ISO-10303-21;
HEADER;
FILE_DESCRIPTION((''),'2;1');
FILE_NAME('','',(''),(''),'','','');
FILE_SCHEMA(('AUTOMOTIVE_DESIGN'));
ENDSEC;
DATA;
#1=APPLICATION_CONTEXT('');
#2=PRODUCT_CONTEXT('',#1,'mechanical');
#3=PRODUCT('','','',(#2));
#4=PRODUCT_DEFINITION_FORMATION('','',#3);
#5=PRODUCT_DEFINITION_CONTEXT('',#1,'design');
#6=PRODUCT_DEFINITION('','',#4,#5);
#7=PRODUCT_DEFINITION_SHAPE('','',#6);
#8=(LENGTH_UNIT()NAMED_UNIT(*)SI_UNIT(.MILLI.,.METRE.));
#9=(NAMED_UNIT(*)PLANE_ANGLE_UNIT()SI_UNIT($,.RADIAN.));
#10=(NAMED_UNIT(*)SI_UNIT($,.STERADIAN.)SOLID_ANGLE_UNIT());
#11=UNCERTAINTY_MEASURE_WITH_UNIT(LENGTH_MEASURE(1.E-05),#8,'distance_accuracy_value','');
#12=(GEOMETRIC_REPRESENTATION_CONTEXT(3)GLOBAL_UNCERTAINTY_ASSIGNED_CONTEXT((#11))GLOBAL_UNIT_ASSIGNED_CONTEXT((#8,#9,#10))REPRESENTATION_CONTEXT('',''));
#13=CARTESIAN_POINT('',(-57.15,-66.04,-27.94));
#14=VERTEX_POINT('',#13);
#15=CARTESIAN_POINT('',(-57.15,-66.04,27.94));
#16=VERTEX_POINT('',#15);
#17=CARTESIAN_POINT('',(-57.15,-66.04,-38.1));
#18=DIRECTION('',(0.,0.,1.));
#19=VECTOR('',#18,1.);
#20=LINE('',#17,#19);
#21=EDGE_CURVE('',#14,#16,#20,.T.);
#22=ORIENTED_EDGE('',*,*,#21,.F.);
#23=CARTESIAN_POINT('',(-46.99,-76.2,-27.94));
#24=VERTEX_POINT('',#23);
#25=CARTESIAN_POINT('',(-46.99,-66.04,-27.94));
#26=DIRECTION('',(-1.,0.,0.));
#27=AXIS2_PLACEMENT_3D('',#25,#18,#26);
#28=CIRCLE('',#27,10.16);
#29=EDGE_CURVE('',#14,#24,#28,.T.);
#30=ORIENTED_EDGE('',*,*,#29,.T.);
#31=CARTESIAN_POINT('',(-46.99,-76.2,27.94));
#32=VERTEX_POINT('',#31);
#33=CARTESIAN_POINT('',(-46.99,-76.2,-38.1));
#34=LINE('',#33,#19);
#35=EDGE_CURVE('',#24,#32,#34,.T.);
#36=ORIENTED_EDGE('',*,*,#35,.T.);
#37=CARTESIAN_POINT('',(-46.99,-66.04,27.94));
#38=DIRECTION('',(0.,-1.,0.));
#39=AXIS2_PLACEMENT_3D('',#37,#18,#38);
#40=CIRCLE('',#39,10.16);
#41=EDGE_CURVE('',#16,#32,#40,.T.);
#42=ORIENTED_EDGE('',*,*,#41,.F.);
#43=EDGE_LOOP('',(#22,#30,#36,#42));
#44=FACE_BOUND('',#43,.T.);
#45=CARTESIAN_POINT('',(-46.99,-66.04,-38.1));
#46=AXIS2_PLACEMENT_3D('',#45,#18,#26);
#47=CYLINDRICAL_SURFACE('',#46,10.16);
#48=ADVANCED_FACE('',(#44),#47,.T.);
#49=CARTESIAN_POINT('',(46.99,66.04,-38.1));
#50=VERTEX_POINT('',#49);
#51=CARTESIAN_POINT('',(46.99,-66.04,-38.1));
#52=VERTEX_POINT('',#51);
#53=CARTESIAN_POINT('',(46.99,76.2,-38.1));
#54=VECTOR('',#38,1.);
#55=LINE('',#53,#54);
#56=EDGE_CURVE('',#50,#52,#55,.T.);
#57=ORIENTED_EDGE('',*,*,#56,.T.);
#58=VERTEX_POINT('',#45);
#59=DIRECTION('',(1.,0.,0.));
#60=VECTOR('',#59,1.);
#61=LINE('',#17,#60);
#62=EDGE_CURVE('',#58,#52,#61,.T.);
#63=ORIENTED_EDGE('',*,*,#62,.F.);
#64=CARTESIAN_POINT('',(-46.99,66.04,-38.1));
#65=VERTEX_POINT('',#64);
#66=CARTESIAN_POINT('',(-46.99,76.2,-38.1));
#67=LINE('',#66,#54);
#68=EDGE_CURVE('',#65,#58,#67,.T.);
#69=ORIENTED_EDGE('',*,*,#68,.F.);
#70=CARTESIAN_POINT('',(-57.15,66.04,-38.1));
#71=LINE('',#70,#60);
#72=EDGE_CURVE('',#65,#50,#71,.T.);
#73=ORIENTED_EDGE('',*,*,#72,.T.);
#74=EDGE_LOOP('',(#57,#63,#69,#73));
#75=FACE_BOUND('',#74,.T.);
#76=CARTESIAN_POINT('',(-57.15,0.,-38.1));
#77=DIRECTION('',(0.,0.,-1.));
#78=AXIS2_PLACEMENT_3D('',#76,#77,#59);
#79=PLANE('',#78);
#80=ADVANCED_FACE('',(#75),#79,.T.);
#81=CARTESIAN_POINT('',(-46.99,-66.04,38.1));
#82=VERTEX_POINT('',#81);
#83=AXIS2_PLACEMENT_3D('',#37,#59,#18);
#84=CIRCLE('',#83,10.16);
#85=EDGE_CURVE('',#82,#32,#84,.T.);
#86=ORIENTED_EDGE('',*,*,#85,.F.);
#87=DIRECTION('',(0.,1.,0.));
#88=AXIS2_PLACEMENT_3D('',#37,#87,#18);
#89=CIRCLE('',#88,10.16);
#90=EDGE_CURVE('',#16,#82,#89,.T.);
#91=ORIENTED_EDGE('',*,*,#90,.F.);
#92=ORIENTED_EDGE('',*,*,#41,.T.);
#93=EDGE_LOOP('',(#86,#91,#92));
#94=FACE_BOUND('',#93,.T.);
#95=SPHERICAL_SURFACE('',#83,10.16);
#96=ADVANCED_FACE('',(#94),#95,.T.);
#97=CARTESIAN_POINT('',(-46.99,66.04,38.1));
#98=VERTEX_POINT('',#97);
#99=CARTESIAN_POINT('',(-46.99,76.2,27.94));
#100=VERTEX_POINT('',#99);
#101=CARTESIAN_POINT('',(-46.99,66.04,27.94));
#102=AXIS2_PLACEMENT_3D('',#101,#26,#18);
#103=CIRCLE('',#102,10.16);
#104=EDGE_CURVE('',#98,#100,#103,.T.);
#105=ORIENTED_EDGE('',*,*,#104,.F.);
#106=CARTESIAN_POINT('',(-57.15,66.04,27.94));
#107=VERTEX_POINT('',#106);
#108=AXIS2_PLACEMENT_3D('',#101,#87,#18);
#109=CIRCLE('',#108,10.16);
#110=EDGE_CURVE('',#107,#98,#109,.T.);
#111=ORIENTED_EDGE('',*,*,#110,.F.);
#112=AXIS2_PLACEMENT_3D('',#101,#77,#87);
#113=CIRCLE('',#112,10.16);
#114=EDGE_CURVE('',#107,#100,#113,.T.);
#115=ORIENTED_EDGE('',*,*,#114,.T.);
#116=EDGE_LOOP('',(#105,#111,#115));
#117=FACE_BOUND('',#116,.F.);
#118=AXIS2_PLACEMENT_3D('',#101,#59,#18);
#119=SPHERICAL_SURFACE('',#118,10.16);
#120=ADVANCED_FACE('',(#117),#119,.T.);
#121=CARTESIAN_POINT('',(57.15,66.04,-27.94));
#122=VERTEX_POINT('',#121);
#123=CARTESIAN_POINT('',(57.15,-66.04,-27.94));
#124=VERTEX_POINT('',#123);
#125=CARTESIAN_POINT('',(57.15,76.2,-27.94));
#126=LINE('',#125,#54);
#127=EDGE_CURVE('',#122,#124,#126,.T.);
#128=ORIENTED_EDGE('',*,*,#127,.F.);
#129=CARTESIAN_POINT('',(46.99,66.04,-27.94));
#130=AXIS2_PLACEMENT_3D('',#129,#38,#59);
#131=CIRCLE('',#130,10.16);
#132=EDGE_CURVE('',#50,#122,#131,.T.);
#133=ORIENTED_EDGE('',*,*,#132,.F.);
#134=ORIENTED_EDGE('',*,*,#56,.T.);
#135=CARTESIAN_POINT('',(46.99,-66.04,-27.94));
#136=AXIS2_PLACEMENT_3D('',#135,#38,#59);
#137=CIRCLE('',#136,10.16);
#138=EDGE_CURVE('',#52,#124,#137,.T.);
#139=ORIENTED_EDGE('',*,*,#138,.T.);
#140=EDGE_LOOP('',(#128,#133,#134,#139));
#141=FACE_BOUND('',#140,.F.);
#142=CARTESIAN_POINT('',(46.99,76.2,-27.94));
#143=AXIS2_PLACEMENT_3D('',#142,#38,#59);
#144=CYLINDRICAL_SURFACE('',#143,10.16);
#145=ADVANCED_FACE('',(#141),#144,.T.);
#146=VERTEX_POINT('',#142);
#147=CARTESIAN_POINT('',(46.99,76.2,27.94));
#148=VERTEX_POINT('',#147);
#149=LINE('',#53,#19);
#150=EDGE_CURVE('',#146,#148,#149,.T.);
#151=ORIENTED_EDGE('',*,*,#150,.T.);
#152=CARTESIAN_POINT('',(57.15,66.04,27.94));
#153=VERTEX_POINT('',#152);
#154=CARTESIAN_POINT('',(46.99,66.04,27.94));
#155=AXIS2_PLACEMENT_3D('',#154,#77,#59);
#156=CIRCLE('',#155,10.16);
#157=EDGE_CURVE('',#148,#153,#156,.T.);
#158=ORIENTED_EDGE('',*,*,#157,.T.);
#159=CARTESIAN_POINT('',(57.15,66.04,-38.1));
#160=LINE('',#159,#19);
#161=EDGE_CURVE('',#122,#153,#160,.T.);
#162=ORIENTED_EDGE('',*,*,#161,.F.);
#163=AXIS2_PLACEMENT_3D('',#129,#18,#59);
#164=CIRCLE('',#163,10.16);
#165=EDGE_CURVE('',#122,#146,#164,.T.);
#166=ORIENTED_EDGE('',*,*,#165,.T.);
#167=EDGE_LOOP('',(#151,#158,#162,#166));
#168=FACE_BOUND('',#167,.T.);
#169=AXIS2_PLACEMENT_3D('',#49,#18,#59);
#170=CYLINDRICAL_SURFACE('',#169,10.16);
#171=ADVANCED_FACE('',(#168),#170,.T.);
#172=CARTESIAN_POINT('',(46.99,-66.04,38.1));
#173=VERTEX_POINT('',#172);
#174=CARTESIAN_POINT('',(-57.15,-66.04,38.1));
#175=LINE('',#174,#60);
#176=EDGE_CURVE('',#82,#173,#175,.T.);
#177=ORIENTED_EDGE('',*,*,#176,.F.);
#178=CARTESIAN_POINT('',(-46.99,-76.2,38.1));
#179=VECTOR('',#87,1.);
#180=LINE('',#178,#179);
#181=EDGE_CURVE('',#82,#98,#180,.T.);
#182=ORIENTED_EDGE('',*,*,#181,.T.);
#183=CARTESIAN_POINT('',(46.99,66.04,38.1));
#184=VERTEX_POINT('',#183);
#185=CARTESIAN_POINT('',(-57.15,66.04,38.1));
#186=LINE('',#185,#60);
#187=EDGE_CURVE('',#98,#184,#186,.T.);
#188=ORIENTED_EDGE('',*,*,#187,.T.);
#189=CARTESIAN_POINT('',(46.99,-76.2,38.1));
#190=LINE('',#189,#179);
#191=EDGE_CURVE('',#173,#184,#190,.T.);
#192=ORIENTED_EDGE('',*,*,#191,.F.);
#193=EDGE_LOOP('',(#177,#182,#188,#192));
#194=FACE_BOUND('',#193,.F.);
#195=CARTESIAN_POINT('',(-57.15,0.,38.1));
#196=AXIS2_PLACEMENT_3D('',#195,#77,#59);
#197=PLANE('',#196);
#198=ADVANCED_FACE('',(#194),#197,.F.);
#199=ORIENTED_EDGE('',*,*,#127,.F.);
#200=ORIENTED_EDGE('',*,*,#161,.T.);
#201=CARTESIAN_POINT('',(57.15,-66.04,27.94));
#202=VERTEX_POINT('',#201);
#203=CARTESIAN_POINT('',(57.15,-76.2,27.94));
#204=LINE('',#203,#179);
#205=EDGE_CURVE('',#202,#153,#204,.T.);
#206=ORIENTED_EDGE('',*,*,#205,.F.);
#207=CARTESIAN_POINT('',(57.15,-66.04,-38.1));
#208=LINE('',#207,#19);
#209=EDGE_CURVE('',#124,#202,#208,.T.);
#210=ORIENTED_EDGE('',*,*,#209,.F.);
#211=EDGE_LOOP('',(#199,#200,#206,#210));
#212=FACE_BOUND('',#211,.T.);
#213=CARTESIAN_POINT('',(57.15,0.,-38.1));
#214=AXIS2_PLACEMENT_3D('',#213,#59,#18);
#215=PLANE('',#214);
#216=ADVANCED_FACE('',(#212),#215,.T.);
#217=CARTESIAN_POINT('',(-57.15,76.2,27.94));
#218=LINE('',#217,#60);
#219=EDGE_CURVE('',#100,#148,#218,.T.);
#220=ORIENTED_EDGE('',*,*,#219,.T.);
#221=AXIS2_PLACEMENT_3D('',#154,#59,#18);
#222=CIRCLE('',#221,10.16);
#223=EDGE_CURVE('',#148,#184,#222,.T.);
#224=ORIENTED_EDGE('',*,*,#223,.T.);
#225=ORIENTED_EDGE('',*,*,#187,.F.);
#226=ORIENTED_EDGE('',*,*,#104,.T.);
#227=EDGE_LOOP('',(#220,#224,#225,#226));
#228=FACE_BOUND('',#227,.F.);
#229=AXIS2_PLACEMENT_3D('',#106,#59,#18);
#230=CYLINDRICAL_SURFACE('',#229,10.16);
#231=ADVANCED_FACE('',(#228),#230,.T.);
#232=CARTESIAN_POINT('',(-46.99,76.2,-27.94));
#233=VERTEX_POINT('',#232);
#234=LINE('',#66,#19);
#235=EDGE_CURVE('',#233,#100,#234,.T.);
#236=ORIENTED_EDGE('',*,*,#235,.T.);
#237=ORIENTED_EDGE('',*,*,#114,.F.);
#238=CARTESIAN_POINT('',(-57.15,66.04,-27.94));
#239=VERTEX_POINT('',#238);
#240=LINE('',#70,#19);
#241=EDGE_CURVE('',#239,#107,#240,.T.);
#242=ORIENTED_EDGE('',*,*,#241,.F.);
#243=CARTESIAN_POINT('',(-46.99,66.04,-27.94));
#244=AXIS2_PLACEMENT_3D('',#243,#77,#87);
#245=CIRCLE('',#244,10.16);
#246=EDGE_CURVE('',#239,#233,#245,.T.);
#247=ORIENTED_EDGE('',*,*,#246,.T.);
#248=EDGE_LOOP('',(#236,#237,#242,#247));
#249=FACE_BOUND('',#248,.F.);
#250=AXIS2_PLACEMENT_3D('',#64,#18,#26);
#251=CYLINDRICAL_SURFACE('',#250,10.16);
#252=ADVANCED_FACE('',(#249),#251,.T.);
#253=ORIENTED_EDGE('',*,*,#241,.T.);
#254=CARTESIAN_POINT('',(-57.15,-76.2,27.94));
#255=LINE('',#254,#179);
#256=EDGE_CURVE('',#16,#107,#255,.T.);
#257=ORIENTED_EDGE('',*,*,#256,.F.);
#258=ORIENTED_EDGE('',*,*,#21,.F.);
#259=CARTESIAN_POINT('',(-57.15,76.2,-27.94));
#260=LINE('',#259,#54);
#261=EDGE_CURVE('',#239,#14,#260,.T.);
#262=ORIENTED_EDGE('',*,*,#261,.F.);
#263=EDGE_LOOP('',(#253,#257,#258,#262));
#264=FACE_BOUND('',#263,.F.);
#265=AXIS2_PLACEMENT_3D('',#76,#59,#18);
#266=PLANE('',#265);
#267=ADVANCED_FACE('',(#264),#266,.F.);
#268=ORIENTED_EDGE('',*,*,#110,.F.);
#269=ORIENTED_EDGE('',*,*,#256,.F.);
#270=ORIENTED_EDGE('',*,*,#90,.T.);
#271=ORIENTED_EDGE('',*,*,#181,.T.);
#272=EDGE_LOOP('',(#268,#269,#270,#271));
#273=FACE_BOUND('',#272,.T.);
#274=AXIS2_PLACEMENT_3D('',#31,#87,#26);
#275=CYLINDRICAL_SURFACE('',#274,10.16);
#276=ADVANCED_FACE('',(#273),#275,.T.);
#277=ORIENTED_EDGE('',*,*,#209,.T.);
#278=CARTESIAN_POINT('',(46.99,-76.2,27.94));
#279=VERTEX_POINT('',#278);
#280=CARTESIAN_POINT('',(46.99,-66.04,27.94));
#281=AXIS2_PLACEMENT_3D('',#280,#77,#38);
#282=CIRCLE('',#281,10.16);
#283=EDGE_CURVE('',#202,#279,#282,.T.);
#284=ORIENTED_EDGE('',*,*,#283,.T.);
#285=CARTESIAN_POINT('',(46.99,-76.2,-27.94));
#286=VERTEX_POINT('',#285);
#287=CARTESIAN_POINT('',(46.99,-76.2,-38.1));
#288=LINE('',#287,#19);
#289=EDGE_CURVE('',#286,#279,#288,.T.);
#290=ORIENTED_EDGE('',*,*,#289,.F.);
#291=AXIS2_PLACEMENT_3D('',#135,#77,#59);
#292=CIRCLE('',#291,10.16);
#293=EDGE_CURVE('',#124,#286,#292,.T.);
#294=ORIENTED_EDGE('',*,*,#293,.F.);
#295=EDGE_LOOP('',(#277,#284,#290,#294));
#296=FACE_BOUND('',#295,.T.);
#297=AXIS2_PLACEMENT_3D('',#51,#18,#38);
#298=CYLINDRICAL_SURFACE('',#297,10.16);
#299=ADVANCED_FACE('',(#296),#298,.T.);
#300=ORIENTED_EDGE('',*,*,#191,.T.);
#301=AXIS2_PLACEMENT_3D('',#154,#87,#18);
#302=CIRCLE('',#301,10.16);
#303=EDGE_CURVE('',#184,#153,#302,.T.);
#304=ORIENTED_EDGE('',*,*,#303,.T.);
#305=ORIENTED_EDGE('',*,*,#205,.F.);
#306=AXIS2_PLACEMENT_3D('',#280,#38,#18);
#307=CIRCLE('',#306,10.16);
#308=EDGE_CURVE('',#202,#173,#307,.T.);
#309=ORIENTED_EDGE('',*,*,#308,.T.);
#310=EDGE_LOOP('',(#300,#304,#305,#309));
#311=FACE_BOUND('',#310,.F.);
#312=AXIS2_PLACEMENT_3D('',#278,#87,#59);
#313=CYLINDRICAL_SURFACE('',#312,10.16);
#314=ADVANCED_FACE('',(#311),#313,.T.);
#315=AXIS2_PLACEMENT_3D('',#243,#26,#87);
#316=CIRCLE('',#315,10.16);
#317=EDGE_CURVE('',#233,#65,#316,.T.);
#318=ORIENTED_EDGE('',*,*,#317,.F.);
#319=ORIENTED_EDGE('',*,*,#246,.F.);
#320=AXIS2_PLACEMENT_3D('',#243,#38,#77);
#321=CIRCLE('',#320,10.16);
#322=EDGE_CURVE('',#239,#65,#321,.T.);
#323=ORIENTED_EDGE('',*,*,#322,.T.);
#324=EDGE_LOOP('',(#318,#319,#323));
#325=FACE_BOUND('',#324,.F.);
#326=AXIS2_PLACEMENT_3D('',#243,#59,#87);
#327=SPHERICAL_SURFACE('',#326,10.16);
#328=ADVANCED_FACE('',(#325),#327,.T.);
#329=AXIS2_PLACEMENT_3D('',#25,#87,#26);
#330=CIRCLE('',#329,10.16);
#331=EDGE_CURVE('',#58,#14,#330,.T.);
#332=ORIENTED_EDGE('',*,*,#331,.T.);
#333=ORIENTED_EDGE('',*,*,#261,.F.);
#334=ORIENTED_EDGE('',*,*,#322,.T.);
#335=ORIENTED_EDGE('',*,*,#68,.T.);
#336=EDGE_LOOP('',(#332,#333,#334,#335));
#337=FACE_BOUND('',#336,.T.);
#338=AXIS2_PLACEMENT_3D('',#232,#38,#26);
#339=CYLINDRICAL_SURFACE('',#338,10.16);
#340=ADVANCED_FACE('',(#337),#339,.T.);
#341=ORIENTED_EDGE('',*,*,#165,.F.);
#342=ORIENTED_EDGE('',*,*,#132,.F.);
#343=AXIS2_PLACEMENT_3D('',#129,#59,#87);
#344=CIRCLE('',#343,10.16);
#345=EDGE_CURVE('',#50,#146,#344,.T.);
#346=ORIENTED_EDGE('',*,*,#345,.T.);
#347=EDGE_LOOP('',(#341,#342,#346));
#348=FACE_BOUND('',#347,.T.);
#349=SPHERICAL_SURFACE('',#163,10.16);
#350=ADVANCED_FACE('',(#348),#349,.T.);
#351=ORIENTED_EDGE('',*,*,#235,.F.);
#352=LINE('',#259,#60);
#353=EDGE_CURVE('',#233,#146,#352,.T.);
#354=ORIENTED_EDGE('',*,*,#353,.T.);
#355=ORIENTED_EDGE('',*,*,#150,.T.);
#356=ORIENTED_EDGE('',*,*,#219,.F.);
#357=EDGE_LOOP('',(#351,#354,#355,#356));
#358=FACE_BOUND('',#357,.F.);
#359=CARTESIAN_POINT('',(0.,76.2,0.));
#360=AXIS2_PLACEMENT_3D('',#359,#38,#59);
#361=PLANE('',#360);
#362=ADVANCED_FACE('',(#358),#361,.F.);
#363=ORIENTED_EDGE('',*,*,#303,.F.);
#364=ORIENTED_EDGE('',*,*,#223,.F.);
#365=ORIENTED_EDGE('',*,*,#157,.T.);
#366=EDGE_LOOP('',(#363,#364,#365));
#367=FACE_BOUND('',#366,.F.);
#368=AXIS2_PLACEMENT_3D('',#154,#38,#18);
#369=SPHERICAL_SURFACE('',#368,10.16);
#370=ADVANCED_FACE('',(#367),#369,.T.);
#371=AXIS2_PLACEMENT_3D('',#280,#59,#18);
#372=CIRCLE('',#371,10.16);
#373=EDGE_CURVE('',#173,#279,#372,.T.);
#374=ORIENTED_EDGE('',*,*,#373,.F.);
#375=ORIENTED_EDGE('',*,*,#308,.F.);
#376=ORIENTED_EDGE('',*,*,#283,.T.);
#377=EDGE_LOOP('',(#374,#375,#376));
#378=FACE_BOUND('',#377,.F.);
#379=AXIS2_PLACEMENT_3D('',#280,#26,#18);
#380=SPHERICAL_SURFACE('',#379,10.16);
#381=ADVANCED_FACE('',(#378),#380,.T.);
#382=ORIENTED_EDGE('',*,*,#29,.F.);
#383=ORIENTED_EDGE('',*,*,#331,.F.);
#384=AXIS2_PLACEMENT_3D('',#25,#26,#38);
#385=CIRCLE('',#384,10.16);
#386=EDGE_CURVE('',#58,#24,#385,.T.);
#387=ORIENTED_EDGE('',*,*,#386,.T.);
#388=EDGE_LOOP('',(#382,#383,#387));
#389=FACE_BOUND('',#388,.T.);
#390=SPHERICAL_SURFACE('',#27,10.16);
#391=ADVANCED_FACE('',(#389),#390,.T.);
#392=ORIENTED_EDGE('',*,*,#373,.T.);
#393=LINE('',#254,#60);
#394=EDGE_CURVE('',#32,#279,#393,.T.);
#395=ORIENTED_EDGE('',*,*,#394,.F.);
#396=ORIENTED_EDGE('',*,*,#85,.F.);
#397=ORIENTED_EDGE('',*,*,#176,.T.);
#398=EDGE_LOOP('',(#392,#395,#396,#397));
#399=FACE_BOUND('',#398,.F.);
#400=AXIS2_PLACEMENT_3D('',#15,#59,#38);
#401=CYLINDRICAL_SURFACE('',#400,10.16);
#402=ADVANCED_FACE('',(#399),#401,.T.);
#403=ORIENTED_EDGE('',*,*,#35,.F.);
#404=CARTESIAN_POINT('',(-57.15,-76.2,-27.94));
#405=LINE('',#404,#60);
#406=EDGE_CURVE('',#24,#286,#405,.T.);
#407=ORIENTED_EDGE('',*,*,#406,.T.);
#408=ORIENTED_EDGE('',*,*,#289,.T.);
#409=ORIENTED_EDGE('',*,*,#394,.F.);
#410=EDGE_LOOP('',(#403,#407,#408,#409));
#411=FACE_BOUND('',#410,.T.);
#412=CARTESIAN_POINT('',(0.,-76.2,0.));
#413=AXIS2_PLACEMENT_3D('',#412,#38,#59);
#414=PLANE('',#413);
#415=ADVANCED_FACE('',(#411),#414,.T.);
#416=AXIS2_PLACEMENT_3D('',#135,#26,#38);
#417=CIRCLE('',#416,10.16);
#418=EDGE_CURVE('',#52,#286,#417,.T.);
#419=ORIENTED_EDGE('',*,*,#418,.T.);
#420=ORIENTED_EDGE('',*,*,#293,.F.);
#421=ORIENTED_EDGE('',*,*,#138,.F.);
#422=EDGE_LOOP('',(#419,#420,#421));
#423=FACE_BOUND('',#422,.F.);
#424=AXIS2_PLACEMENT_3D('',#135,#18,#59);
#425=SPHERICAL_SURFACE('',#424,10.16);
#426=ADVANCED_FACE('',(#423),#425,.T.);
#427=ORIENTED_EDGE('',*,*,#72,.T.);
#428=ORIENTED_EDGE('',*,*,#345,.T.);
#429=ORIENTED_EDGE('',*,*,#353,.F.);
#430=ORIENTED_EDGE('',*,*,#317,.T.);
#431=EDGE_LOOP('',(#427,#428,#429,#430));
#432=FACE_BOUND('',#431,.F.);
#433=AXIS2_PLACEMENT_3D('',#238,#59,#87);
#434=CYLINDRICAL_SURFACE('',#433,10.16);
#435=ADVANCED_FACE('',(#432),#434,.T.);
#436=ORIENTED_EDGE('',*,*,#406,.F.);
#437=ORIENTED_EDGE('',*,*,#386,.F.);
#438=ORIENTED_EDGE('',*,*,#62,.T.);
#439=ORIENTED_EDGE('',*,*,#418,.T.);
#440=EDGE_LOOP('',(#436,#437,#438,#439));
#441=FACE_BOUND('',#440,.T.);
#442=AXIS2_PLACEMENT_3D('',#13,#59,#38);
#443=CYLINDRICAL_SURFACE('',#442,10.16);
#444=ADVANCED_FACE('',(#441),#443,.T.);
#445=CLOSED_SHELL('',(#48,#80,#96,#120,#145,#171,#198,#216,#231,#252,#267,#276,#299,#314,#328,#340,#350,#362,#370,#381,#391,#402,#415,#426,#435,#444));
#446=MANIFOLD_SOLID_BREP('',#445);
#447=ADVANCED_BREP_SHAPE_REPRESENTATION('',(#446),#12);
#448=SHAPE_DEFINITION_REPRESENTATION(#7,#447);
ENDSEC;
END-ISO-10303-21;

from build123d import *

# Parameters (mm, degrees)
F0_W          = 114.3
F0_H          = 76.2
F1_DEPTH      = 76.2
F1_DEPTH_BACK = 76.2
F2_R          = 10.16


with BuildPart() as f1:
    # F0 (on Front) → F1 (new body, two sides)
    with BuildSketch(Plane.XZ) as f1_sk:
        Rectangle(F0_W, F0_H)
    extrude(amount=F1_DEPTH)
    extrude(f1_sk.sketch, amount=-F1_DEPTH_BACK)

    # F2
    f2_edges = [f1.edges().sort_by_distance(p)[0] for p in [
        (0, -76.2, 38.1),
        (57.15, 0, 38.1),
        (0, 76.2, 38.1),
        (-57.15, 0, 38.1),
        (57.15, -76.2, 0),
        (57.15, 76.2, 0),
        (57.15, 0, -38.1),
        (-57.15, -76.2, 0),
        (0, 76.2, -38.1),
        (-57.15, 76.2, 0),
        (-57.15, 0, -38.1),
        (0, -76.2, -38.1),
    ]]
    fillet(f2_edges, radius=F2_R)


solid = f1.part
